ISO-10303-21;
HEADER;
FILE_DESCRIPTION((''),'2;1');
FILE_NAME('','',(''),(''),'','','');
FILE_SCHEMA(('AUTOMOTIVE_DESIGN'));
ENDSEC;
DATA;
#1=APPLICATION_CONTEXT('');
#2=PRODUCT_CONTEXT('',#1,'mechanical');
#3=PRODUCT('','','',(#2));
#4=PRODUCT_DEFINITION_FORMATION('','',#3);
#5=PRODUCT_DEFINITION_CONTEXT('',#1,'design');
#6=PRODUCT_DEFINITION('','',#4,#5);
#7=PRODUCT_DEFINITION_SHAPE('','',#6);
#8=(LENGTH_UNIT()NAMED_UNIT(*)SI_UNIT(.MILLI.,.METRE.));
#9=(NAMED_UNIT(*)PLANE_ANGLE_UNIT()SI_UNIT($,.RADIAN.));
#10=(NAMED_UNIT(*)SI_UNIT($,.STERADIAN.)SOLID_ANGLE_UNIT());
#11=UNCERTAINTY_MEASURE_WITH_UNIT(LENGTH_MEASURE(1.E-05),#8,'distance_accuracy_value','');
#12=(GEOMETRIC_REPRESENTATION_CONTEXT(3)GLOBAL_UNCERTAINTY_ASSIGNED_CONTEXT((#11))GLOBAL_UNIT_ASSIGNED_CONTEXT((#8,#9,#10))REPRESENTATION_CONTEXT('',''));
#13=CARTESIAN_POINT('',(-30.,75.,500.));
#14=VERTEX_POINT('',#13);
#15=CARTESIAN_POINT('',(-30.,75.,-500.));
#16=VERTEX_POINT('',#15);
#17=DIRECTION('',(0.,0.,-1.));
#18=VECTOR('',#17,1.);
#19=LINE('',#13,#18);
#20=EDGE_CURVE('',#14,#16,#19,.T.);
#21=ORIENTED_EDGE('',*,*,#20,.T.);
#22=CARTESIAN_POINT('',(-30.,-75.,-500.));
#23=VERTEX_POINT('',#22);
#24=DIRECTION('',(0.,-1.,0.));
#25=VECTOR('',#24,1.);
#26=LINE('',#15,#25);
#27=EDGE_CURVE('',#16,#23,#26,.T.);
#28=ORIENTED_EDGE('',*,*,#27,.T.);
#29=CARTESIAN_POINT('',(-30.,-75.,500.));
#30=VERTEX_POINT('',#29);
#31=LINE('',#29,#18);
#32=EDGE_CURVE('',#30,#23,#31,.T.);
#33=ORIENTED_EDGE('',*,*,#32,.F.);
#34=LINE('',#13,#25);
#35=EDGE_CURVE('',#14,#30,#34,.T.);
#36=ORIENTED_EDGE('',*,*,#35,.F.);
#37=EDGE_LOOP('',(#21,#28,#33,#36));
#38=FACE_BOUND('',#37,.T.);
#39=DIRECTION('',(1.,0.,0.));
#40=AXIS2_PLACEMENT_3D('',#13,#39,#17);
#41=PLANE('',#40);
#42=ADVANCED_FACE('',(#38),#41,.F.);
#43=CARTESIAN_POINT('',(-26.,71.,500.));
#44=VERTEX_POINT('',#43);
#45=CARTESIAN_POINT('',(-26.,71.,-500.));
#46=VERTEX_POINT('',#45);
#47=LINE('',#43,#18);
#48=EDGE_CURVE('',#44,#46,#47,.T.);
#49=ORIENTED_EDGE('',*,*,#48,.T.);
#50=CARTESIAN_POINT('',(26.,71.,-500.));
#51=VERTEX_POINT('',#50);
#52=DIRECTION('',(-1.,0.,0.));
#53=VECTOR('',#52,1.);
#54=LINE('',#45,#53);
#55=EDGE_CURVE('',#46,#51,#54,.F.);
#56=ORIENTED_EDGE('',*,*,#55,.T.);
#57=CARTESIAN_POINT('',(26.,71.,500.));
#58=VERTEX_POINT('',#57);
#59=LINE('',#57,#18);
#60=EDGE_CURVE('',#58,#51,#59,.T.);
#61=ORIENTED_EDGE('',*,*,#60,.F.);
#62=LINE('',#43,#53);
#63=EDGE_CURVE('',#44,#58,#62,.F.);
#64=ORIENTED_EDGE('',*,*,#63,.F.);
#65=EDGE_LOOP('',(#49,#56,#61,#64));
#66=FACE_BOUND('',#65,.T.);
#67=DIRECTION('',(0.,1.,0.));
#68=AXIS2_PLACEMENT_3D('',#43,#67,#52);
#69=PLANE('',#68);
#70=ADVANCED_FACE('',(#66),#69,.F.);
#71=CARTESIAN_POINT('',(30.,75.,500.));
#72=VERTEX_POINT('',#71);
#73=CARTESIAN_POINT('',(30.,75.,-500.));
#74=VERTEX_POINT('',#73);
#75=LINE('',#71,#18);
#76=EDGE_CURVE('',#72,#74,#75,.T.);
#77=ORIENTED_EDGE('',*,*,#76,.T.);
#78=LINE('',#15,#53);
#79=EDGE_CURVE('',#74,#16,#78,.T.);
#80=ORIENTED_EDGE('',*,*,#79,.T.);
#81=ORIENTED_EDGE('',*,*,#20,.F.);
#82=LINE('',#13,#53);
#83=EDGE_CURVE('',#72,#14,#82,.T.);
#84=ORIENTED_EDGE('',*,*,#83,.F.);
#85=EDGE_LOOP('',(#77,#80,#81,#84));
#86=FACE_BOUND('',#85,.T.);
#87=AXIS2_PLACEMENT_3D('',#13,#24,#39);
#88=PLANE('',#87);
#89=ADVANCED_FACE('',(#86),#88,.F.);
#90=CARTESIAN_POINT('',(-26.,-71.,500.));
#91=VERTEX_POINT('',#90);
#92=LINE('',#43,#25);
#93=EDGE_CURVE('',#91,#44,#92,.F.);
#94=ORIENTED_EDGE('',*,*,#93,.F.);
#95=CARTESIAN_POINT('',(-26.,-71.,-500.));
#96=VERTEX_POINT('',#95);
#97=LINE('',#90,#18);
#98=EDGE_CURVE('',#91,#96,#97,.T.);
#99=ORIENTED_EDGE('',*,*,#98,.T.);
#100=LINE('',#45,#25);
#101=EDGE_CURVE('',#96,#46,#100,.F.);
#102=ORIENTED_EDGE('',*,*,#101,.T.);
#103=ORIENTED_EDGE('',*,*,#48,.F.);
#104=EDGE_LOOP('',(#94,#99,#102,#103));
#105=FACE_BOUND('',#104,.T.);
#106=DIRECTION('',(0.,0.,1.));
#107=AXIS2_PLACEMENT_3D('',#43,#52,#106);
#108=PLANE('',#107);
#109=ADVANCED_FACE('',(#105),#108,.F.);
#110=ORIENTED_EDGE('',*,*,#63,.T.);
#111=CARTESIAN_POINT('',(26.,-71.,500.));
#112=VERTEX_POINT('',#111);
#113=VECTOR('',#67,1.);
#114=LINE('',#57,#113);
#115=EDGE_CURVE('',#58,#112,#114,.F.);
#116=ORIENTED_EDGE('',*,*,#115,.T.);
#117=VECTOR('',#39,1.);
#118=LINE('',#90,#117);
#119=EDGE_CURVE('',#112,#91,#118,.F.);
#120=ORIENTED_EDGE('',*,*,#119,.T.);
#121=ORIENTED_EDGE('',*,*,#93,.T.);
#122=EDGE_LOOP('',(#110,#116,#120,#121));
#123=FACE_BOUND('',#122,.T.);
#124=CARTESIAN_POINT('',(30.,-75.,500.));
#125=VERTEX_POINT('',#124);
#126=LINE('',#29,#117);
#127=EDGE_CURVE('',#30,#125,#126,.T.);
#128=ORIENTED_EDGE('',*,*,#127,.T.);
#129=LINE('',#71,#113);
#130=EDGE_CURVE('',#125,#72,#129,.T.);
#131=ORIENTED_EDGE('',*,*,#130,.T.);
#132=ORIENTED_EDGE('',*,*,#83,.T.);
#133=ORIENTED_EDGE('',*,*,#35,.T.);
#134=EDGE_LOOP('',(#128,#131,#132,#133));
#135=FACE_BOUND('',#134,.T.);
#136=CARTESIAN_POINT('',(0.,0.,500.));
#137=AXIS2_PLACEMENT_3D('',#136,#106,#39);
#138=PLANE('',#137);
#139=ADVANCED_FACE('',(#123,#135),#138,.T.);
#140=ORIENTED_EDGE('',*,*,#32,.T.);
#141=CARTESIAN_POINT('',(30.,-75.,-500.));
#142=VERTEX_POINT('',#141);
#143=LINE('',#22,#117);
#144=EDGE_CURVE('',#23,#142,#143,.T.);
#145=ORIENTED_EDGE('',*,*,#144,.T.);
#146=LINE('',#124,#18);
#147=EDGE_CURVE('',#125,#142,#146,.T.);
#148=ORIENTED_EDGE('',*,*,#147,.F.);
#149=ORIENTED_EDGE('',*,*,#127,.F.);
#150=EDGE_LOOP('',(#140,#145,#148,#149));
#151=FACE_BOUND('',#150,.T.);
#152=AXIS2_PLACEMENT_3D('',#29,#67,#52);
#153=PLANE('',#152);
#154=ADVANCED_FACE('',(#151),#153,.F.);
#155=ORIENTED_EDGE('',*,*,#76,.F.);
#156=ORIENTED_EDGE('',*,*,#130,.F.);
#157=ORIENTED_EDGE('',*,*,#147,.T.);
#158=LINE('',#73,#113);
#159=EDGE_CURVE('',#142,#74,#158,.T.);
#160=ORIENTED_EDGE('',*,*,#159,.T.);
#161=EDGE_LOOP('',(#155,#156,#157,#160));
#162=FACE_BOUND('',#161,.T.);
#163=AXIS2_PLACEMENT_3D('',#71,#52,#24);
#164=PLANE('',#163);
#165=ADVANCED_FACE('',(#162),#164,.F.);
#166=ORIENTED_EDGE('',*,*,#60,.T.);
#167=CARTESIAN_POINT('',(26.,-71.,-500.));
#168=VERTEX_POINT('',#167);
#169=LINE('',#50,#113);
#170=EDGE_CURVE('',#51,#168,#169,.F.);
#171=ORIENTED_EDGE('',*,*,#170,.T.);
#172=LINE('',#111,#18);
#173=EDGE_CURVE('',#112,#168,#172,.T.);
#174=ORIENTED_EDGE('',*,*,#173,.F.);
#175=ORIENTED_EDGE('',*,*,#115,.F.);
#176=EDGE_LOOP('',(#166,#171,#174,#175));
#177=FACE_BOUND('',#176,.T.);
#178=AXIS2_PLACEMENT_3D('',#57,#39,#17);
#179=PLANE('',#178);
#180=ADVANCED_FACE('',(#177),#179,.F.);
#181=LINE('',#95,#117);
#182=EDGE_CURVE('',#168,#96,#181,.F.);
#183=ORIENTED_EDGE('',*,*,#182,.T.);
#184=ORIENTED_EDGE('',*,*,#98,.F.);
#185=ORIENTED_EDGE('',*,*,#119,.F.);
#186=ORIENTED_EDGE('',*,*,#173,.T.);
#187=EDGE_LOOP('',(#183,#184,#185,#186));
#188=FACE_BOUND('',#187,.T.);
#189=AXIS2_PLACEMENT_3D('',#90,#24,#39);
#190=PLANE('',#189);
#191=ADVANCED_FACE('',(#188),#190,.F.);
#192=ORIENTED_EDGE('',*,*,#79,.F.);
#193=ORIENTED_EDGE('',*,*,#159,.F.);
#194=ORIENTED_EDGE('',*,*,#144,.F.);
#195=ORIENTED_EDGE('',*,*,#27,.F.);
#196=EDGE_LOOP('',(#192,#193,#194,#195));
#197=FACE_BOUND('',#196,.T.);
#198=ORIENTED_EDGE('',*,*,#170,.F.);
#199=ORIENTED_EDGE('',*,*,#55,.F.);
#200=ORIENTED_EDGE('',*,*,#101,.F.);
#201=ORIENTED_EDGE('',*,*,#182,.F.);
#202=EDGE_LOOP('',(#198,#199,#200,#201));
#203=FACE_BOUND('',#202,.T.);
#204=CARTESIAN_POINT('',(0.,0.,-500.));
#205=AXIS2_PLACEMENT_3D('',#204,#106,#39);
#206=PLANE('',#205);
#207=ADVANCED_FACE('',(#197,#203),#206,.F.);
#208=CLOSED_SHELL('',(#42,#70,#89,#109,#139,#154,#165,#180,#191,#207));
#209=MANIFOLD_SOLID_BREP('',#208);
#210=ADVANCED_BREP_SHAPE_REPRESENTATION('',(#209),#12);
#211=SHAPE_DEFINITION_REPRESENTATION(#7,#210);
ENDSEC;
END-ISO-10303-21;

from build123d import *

# Parameters (mm, degrees)
SKETCH1_W   = 60
SKETCH1_H   = 150
SKETCH1_W_2 = 52
SKETCH1_H_2 = 142


with BuildPart() as part:
    # Sweep1: sweep along a curve in space
    with BuildLine() as sweep1_path:
        add(Edge.make_bspline(
            [(0, 0, -500), (0, 0, 500)],
            knots=[0, 0, 1, 1], degree=1))
    # Sketch1 → Sweep1 (sweep)
    with BuildSketch(Plane.XY):
        Rectangle(SKETCH1_W, SKETCH1_H)
        Rectangle(SKETCH1_W_2, SKETCH1_H_2, mode=Mode.SUBTRACT)
    sweep(path=sweep1_path.line)


solid = part.part
